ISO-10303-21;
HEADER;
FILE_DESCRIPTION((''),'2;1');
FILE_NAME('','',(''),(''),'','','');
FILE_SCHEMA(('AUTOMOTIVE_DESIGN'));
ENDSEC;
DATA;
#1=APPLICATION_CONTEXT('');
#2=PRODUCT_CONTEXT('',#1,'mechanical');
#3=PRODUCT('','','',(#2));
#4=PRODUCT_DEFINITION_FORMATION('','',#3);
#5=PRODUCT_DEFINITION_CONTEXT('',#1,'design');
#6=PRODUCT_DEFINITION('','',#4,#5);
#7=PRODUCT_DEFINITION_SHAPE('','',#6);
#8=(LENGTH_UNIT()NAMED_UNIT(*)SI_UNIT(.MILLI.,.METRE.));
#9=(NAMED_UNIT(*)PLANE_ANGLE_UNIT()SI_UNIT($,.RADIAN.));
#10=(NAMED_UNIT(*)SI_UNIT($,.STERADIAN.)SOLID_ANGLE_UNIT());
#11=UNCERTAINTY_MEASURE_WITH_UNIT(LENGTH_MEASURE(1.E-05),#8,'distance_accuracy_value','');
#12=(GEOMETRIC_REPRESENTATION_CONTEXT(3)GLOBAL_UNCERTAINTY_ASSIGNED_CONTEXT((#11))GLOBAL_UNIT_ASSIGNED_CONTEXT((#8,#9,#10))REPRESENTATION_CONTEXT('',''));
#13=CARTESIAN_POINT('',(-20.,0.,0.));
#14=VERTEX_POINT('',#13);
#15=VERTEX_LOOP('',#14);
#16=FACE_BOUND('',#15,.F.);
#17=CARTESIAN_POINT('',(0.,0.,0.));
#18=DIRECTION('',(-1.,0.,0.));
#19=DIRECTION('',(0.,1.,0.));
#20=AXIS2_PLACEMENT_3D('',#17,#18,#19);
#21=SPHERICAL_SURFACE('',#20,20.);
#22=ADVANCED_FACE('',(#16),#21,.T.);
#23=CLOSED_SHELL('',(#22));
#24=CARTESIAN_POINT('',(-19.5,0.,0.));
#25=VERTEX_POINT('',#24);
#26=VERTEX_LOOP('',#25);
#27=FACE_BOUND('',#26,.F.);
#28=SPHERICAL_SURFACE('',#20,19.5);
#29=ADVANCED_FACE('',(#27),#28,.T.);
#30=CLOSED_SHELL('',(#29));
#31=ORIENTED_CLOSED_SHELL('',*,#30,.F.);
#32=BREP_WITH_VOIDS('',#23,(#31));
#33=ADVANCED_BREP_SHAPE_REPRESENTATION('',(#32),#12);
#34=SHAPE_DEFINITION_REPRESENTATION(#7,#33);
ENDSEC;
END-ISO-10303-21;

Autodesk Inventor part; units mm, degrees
ref_plane "YZ Plane" through (0, 0, 0) normal (1, 0, 0) x (0, 1, 0)
ref_plane "XZ Plane" through (0, 0, 0) normal (0, 1, 0) x (-1, 0, 0)
ref_plane "XY Plane" through (0, 0, 0) normal (0, 0, 1) x (1, 0, 0)
sketch "Sketch1" plane through (0, 0, 0) normal (0, 0, 1) x (1, 0, 0)
  arc A0 (20, 0) -> (-20, 0) centre (0, 0) ccw
  arc A1 (19.5, 0) -> (-19.5, 0) centre (0, 0) ccw
  line L0 (-20, 0) -> (-19.5, 0)
  line L1 (19.5, 0) -> (20, 0)
  line L2 (-28, 0) -> (28, 0) projected
revolve "Revolution1" add sketch "Sketch1" angle 360 about axis through (-10, 0, 0) along (1, 0, 0) contours L1 A1 L0 A0
properties part number "TT_BALL"
